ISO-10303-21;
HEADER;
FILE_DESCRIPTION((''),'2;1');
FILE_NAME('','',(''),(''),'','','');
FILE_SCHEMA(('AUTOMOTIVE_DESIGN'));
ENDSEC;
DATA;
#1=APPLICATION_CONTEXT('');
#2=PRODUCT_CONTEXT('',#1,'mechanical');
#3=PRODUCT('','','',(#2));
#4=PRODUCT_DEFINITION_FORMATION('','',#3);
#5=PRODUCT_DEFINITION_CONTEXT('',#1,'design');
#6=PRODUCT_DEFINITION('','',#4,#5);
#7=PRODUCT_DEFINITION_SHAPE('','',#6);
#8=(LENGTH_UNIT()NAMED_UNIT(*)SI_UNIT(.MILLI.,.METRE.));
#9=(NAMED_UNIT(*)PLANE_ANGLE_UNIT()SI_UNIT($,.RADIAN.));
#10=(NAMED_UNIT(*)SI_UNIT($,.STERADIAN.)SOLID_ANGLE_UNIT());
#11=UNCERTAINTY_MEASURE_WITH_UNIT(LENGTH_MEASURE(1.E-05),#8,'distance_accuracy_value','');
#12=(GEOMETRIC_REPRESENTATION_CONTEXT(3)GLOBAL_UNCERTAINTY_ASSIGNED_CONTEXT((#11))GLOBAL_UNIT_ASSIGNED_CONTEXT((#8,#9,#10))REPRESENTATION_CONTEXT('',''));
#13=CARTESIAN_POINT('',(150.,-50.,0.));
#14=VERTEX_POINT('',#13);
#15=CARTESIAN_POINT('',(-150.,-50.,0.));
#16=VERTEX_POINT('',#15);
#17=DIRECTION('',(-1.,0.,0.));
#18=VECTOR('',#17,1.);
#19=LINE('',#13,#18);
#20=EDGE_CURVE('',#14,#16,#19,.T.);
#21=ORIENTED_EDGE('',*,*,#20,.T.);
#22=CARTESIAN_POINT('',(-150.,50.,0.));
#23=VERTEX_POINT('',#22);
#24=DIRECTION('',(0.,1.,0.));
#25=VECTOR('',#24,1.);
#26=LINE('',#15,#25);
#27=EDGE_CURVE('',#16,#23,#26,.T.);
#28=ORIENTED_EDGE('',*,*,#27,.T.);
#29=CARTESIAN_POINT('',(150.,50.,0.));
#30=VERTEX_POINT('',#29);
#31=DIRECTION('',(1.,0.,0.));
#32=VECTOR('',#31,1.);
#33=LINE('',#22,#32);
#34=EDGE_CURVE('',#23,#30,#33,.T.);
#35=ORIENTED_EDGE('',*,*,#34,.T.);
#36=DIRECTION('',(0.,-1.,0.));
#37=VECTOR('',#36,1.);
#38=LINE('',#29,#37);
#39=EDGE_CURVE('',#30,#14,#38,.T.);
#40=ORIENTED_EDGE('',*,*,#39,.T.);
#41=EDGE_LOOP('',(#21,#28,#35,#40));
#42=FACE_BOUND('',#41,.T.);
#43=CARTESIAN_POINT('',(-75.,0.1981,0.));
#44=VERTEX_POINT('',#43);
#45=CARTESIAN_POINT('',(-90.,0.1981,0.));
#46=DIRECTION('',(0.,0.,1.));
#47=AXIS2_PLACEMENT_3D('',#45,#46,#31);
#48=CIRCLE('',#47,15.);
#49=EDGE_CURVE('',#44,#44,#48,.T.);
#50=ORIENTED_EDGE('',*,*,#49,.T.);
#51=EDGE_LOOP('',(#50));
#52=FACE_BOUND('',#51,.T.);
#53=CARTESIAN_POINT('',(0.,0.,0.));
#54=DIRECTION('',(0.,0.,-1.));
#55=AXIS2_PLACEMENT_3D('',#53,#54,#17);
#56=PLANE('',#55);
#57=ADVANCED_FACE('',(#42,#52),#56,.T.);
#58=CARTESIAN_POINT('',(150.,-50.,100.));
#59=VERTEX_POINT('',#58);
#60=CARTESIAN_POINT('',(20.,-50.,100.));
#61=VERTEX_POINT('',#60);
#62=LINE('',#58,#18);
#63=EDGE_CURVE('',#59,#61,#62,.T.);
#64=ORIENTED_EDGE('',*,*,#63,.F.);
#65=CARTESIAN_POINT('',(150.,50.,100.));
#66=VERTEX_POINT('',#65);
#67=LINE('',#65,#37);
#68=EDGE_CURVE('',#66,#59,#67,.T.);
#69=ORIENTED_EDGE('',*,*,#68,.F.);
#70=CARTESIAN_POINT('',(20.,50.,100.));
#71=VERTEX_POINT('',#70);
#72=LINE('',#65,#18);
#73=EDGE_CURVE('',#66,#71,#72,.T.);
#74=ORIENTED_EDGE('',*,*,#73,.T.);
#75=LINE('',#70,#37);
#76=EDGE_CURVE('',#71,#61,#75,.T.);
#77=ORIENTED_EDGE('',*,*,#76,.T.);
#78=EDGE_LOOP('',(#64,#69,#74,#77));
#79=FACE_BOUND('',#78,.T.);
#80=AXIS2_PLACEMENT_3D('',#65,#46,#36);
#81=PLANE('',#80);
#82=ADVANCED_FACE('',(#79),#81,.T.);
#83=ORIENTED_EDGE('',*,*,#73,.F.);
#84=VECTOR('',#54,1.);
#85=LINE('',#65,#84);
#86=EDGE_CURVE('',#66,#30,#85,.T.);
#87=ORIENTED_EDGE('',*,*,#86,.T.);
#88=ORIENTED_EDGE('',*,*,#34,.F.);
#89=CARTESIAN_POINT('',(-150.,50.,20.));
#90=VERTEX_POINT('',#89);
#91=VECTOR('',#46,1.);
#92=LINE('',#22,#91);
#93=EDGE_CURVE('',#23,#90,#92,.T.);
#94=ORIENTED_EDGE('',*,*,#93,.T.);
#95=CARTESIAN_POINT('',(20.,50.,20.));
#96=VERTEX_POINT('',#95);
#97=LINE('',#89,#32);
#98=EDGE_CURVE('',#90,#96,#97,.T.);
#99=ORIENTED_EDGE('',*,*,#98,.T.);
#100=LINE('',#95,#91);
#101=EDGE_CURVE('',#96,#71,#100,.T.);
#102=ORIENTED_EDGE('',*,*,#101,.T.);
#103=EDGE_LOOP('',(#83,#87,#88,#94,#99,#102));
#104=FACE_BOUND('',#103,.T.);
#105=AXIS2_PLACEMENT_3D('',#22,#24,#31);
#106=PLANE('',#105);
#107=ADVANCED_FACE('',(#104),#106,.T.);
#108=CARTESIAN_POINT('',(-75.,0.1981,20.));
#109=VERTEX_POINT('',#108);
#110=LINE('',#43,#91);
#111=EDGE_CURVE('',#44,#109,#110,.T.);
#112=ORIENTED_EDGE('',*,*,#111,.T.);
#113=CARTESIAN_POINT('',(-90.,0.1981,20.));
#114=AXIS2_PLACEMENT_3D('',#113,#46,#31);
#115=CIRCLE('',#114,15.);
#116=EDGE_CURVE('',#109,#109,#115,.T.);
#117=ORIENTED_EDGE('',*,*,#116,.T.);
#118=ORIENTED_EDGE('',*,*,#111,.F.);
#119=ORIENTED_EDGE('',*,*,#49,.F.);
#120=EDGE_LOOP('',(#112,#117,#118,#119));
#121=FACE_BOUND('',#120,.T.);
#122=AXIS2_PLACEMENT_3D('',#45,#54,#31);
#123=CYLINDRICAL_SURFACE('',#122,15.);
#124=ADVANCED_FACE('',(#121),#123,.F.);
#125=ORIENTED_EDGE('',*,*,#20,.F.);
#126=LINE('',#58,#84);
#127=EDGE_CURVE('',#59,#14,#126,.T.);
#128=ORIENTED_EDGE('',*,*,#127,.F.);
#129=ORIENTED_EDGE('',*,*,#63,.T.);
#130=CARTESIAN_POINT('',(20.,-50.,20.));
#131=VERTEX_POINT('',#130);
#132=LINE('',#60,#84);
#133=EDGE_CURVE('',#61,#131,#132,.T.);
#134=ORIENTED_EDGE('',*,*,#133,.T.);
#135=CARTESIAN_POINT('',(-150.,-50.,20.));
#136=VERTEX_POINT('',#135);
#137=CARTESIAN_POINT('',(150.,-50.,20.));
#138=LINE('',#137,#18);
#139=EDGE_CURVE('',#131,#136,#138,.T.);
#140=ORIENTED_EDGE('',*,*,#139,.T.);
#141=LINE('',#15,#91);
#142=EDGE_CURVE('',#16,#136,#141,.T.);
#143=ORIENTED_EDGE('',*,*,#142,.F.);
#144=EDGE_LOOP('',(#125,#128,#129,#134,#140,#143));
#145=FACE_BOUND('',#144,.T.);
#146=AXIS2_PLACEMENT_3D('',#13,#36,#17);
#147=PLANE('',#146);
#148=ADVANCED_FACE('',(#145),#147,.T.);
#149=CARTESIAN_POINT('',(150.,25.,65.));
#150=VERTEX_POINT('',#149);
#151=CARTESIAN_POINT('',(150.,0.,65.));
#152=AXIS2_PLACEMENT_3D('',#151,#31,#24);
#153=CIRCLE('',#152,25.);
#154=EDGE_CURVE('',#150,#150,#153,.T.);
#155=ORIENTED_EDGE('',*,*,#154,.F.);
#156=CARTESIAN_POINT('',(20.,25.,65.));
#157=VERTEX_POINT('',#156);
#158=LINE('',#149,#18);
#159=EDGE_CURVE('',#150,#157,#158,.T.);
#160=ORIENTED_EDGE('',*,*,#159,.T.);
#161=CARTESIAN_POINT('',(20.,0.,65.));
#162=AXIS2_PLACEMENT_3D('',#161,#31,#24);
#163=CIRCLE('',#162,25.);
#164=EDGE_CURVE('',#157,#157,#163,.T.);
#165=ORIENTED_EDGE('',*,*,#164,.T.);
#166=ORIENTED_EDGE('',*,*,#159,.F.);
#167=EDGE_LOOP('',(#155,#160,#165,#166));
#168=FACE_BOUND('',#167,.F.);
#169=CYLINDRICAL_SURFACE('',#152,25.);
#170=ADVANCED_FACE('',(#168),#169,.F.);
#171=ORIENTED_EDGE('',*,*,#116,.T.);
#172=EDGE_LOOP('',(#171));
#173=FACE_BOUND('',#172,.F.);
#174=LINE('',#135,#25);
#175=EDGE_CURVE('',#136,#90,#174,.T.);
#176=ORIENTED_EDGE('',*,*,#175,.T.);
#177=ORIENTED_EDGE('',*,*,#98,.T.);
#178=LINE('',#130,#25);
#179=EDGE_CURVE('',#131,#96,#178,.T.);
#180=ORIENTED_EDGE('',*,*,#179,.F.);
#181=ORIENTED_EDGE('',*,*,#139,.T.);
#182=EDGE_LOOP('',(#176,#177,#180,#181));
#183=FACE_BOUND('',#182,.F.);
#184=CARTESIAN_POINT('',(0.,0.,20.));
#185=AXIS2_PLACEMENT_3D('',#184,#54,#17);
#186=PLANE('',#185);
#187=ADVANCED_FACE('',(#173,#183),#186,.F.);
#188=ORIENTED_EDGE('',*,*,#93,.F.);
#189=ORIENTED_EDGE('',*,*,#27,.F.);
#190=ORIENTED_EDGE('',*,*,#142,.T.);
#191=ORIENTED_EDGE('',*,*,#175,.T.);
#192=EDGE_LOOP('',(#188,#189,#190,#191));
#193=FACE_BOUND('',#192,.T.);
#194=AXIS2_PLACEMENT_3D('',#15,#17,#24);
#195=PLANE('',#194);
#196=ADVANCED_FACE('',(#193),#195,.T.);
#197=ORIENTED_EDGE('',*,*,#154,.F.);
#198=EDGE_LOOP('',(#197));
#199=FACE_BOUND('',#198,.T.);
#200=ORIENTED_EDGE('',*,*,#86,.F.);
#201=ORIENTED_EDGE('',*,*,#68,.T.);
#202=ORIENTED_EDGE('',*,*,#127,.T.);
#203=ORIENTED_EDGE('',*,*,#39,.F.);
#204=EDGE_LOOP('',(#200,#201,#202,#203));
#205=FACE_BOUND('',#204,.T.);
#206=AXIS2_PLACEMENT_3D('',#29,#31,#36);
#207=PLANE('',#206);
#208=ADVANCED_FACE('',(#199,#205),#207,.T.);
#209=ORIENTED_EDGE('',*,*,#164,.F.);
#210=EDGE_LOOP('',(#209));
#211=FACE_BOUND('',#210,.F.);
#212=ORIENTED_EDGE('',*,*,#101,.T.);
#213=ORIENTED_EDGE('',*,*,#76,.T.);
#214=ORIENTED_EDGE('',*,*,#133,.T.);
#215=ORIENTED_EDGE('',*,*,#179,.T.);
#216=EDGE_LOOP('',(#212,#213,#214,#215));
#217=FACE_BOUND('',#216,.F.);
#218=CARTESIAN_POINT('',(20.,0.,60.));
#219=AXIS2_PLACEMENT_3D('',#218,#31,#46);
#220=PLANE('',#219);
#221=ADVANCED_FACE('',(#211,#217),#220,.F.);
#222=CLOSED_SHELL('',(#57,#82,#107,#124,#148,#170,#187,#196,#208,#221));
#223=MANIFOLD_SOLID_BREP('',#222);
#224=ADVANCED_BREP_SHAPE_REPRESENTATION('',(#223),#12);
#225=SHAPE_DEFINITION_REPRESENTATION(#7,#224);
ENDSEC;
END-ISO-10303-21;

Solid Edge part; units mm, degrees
sketch "Sketch1" plane through (0, 0, 0) normal (0, 0, 1) x (1, 0, 0)
  circle A0 centre (-90, 0.1981) radius 15
  line L0 (-150, 50) -> (150, 50)
  line L1 (150, 50) -> (150, -50)
  line L2 (150, -50) -> (-150, -50)
  line L3 (-150, -50) -> (-150, 50)
  dimension "D1" = 100
  dimension "D2" = 300
  dimension "D3" = 60
extrude "Protrusion1" add sketch "Sketch1" along normal blind 20
sketch "Sketch2" plane through (150, 0, 10) normal (1, 0, 0) x (0, 1, 0)
  circle A0 centre (0, 55) radius 25
  line L0 (-50, 10) -> (50, 10)
  line L1 (50, 10) -> (50, 90)
  line L2 (50, 90) -> (-50, 90)
  line L3 (-50, 90) -> (-50, 10)
  dimension "D1" = 80
  dimension "D2" = 35
  dimension "D3" = 50
extrude "ExtrudedProtrusion_2" add sketch "Sketch2" against normal blind 130
